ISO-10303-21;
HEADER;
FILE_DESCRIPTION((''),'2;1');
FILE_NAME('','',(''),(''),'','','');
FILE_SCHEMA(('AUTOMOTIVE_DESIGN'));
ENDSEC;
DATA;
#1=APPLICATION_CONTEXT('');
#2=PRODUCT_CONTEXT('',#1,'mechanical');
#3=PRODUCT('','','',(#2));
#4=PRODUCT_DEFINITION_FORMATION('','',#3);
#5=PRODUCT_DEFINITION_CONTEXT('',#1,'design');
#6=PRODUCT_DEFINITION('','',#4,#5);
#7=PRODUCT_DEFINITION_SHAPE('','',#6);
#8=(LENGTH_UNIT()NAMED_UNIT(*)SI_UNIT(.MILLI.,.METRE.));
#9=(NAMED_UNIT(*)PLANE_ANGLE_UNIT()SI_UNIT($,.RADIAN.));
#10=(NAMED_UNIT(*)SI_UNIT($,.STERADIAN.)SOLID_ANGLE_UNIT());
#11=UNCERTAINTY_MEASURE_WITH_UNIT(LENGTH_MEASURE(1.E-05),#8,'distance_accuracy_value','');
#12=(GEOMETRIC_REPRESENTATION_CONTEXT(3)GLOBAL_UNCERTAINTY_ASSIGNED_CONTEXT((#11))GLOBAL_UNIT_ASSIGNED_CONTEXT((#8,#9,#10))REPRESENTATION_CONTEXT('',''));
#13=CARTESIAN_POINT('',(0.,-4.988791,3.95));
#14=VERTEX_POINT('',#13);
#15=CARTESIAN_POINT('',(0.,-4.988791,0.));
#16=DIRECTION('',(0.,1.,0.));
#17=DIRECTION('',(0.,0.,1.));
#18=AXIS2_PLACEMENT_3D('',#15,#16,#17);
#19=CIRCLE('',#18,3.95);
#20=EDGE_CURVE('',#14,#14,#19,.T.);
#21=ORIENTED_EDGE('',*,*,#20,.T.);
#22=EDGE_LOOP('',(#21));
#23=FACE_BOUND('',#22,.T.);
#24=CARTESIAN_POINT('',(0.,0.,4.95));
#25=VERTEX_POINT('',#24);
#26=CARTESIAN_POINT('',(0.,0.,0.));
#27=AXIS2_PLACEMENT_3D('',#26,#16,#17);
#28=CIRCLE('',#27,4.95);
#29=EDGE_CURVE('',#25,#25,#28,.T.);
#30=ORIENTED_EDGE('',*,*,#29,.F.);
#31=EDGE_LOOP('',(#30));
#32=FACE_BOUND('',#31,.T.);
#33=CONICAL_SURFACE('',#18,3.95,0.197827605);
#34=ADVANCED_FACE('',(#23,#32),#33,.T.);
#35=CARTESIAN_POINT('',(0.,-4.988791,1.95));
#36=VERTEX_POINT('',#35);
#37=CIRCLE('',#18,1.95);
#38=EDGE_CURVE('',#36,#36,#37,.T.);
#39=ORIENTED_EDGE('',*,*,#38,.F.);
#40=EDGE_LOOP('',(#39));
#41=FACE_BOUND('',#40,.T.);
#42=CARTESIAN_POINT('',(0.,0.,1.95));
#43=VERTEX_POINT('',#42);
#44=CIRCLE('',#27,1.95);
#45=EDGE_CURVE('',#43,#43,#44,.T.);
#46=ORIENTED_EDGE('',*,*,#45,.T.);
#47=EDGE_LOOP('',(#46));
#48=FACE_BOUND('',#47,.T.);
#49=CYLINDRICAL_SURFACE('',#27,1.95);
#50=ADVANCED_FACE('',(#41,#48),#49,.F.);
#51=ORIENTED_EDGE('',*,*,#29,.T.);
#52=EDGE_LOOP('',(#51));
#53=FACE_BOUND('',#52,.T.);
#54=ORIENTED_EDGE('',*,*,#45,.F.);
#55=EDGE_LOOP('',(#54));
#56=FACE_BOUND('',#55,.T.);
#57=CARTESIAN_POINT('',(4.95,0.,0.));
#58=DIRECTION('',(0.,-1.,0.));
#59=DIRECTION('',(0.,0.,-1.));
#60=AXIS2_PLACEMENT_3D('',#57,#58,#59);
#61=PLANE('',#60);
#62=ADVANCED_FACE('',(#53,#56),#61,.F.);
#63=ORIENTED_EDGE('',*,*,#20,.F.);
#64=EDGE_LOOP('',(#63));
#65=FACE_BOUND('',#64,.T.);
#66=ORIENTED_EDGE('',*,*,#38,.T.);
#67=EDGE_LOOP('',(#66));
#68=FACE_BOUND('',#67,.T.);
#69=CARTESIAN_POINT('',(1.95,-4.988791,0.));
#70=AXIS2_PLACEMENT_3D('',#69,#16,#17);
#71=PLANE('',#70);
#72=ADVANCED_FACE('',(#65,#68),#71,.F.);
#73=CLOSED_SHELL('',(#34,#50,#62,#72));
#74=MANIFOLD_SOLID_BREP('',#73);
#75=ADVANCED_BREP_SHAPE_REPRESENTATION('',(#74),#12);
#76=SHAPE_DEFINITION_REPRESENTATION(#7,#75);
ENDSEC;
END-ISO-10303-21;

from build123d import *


with BuildPart() as part:
    # Sketch1 → Revolve1 (revolve)
    with BuildSketch(Plane.XY):
        Polygon((1.95, 0), (1.95, -4.988791046), (3.95, -4.988791046), (4.95, 0), align=None)
    revolve(axis=Axis((0, 0, 0), (0, -1, 0)))


solid = part.part
